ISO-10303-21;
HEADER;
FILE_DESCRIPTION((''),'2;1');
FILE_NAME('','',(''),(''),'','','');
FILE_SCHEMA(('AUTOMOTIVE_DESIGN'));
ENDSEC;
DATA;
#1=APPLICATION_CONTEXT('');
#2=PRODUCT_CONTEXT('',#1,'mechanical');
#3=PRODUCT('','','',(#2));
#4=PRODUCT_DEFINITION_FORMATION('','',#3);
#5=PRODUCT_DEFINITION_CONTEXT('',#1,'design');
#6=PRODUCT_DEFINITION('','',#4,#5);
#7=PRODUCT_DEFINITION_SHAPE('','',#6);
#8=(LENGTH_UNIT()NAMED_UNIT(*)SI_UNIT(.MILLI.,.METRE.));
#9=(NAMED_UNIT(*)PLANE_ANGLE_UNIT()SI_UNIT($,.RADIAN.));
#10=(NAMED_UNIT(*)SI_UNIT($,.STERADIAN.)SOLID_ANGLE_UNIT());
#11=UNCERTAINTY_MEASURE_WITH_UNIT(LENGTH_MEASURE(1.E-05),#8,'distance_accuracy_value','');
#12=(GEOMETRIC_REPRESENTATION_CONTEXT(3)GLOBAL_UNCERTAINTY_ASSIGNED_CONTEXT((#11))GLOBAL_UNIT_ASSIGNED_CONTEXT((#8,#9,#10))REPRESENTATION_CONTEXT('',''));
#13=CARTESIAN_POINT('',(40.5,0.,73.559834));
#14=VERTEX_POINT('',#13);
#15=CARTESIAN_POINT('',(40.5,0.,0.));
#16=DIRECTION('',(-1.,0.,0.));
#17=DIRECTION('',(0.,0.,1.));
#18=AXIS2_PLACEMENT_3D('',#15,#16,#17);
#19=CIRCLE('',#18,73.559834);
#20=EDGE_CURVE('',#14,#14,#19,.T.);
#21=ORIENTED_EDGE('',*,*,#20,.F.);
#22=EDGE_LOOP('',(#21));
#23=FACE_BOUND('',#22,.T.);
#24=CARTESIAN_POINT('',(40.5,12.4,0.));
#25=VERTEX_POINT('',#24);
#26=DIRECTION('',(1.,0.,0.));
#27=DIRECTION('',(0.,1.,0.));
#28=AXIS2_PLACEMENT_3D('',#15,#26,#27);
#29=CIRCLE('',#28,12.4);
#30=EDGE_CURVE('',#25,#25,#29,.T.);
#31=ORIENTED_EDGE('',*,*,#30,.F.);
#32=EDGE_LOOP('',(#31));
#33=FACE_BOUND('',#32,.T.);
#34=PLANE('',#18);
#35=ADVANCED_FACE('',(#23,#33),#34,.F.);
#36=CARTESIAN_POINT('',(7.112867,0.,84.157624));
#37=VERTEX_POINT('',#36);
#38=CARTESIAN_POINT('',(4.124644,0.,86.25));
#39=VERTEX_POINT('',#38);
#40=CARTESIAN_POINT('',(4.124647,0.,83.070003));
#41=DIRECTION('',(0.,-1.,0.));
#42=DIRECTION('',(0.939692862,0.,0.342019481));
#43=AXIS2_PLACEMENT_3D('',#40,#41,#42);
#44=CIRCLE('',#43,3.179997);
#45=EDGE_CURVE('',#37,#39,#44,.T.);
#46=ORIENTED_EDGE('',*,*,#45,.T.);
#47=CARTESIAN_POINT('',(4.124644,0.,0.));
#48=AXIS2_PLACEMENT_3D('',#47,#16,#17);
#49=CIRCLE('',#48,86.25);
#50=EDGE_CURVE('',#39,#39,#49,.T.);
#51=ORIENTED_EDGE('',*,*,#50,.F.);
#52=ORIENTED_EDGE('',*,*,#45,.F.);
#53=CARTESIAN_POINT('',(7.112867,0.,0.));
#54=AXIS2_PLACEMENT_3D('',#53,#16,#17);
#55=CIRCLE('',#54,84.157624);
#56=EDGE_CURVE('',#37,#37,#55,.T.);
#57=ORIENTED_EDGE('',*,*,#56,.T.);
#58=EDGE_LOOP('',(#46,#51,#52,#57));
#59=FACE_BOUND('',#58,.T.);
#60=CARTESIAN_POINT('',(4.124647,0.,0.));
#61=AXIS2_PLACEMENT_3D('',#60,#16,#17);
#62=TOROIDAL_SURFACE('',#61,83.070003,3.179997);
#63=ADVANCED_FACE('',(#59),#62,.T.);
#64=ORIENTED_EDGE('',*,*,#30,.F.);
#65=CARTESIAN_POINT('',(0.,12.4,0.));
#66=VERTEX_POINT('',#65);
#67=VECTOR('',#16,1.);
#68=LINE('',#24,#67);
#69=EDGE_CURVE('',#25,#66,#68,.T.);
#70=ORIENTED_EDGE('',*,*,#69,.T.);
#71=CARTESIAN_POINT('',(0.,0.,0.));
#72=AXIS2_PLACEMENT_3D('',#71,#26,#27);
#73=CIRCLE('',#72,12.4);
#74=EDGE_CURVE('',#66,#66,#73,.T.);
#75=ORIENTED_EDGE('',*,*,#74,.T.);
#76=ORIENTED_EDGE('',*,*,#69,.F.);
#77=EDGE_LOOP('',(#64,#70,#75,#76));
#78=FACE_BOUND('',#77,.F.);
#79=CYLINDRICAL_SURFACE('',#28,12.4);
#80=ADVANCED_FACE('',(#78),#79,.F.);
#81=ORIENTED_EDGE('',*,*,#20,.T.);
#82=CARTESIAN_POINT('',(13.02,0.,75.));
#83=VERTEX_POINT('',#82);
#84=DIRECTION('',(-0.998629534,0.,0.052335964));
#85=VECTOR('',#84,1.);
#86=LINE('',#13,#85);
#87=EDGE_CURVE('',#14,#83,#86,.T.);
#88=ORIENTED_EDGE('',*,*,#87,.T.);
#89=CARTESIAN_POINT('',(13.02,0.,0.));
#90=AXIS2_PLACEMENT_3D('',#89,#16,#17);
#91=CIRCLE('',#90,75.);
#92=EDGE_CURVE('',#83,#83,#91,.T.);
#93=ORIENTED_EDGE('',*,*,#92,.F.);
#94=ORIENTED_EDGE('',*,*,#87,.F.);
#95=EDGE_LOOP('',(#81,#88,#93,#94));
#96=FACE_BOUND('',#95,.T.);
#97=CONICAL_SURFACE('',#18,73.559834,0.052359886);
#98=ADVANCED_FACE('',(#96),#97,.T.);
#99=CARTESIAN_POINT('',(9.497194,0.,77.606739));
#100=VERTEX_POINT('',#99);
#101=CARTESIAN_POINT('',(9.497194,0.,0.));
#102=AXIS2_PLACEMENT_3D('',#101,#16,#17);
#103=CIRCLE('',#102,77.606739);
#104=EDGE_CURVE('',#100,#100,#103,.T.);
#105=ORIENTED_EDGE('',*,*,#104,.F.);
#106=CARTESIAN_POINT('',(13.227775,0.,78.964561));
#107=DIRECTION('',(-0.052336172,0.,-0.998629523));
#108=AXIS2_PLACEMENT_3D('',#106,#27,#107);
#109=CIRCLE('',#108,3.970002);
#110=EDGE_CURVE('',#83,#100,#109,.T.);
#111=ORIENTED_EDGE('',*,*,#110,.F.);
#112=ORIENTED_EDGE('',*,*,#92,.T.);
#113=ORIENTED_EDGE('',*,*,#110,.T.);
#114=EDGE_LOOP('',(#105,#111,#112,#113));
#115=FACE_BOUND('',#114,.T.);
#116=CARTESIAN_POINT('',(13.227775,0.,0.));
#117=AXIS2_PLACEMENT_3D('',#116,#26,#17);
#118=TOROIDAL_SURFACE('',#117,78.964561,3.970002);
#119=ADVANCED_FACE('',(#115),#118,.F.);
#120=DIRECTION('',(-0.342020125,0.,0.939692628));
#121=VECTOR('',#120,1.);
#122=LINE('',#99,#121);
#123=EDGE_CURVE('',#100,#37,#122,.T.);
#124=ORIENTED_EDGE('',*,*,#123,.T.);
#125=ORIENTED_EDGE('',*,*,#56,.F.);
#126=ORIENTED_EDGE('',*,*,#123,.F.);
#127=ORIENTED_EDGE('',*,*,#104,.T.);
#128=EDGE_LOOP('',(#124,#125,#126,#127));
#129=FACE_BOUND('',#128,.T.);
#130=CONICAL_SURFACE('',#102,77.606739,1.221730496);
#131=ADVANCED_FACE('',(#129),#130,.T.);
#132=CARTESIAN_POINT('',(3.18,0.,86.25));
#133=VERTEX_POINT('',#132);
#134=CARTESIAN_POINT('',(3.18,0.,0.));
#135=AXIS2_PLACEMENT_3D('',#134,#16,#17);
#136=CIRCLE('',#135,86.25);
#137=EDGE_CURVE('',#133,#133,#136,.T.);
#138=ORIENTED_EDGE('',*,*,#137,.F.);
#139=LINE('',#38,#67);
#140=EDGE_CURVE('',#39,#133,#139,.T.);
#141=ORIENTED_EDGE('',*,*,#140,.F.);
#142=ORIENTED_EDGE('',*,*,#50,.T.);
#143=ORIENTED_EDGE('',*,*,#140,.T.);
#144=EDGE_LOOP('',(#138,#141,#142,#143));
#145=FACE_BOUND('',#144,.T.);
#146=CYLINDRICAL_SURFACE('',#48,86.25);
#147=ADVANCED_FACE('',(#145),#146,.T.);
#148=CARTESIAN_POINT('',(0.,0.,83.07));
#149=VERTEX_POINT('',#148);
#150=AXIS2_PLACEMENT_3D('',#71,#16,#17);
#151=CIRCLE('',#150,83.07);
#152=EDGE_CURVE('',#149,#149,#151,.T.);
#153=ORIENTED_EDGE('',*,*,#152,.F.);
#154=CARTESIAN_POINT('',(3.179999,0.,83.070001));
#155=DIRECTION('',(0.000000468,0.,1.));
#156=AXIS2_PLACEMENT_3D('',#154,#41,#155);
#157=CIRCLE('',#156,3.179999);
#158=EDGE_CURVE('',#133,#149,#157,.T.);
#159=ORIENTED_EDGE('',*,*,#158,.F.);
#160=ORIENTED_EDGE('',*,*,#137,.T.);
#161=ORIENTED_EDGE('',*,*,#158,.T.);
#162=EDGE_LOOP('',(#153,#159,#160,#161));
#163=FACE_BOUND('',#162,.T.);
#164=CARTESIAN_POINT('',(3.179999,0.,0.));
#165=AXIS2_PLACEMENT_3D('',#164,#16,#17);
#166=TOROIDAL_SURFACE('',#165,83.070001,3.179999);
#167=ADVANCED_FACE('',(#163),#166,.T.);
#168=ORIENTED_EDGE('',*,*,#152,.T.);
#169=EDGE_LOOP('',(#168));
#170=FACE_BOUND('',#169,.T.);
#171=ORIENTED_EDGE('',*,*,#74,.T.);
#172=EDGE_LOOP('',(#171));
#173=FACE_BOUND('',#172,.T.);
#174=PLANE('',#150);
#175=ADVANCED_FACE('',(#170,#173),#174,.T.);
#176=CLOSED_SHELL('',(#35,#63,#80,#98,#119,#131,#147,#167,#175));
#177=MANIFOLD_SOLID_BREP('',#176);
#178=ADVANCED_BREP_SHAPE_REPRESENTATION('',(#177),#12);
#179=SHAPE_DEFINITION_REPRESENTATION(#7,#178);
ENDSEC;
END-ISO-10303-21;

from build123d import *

# Parameters (mm, degrees)
F2_R     = 12.4
F3_DEPTH = 40.501


with BuildPart() as f1:
    # F0 (on Front) → F1 (revolve)
    with BuildSketch(Plane.XZ):
        with BuildLine():
            Line((0, 83.07), (0, 0))
            Line((0, 0), (40.5, 0))
            Line((40.5, 0), (40.5, 73.559834))
            Line((40.5, 73.559834), (13.02, 75))
            ThreePointArc((13.02, 75), (10.866327, 75.773248), (9.497194, 77.606739))
            Line((9.497194, 77.606739), (7.112867, 84.157624))
            ThreePointArc((7.112867, 84.157624), (5.948618, 85.674904), (4.124644, 86.25))
            Line((4.124644, 86.25), (3.18, 86.25))
            ThreePointArc((3.18, 86.25), (0.9314, 85.3186), (0, 83.07))
        make_face()
    revolve(axis=Axis((20.25, 0, 0), (-1, 0, 0)))

    # F2 (on face) → F3 (cut, through all)
    with BuildSketch(Plane.YZ.offset(40.5)):
        Circle(F2_R)
    extrude(amount=-F3_DEPTH, mode=Mode.SUBTRACT)


solid = f1.part
